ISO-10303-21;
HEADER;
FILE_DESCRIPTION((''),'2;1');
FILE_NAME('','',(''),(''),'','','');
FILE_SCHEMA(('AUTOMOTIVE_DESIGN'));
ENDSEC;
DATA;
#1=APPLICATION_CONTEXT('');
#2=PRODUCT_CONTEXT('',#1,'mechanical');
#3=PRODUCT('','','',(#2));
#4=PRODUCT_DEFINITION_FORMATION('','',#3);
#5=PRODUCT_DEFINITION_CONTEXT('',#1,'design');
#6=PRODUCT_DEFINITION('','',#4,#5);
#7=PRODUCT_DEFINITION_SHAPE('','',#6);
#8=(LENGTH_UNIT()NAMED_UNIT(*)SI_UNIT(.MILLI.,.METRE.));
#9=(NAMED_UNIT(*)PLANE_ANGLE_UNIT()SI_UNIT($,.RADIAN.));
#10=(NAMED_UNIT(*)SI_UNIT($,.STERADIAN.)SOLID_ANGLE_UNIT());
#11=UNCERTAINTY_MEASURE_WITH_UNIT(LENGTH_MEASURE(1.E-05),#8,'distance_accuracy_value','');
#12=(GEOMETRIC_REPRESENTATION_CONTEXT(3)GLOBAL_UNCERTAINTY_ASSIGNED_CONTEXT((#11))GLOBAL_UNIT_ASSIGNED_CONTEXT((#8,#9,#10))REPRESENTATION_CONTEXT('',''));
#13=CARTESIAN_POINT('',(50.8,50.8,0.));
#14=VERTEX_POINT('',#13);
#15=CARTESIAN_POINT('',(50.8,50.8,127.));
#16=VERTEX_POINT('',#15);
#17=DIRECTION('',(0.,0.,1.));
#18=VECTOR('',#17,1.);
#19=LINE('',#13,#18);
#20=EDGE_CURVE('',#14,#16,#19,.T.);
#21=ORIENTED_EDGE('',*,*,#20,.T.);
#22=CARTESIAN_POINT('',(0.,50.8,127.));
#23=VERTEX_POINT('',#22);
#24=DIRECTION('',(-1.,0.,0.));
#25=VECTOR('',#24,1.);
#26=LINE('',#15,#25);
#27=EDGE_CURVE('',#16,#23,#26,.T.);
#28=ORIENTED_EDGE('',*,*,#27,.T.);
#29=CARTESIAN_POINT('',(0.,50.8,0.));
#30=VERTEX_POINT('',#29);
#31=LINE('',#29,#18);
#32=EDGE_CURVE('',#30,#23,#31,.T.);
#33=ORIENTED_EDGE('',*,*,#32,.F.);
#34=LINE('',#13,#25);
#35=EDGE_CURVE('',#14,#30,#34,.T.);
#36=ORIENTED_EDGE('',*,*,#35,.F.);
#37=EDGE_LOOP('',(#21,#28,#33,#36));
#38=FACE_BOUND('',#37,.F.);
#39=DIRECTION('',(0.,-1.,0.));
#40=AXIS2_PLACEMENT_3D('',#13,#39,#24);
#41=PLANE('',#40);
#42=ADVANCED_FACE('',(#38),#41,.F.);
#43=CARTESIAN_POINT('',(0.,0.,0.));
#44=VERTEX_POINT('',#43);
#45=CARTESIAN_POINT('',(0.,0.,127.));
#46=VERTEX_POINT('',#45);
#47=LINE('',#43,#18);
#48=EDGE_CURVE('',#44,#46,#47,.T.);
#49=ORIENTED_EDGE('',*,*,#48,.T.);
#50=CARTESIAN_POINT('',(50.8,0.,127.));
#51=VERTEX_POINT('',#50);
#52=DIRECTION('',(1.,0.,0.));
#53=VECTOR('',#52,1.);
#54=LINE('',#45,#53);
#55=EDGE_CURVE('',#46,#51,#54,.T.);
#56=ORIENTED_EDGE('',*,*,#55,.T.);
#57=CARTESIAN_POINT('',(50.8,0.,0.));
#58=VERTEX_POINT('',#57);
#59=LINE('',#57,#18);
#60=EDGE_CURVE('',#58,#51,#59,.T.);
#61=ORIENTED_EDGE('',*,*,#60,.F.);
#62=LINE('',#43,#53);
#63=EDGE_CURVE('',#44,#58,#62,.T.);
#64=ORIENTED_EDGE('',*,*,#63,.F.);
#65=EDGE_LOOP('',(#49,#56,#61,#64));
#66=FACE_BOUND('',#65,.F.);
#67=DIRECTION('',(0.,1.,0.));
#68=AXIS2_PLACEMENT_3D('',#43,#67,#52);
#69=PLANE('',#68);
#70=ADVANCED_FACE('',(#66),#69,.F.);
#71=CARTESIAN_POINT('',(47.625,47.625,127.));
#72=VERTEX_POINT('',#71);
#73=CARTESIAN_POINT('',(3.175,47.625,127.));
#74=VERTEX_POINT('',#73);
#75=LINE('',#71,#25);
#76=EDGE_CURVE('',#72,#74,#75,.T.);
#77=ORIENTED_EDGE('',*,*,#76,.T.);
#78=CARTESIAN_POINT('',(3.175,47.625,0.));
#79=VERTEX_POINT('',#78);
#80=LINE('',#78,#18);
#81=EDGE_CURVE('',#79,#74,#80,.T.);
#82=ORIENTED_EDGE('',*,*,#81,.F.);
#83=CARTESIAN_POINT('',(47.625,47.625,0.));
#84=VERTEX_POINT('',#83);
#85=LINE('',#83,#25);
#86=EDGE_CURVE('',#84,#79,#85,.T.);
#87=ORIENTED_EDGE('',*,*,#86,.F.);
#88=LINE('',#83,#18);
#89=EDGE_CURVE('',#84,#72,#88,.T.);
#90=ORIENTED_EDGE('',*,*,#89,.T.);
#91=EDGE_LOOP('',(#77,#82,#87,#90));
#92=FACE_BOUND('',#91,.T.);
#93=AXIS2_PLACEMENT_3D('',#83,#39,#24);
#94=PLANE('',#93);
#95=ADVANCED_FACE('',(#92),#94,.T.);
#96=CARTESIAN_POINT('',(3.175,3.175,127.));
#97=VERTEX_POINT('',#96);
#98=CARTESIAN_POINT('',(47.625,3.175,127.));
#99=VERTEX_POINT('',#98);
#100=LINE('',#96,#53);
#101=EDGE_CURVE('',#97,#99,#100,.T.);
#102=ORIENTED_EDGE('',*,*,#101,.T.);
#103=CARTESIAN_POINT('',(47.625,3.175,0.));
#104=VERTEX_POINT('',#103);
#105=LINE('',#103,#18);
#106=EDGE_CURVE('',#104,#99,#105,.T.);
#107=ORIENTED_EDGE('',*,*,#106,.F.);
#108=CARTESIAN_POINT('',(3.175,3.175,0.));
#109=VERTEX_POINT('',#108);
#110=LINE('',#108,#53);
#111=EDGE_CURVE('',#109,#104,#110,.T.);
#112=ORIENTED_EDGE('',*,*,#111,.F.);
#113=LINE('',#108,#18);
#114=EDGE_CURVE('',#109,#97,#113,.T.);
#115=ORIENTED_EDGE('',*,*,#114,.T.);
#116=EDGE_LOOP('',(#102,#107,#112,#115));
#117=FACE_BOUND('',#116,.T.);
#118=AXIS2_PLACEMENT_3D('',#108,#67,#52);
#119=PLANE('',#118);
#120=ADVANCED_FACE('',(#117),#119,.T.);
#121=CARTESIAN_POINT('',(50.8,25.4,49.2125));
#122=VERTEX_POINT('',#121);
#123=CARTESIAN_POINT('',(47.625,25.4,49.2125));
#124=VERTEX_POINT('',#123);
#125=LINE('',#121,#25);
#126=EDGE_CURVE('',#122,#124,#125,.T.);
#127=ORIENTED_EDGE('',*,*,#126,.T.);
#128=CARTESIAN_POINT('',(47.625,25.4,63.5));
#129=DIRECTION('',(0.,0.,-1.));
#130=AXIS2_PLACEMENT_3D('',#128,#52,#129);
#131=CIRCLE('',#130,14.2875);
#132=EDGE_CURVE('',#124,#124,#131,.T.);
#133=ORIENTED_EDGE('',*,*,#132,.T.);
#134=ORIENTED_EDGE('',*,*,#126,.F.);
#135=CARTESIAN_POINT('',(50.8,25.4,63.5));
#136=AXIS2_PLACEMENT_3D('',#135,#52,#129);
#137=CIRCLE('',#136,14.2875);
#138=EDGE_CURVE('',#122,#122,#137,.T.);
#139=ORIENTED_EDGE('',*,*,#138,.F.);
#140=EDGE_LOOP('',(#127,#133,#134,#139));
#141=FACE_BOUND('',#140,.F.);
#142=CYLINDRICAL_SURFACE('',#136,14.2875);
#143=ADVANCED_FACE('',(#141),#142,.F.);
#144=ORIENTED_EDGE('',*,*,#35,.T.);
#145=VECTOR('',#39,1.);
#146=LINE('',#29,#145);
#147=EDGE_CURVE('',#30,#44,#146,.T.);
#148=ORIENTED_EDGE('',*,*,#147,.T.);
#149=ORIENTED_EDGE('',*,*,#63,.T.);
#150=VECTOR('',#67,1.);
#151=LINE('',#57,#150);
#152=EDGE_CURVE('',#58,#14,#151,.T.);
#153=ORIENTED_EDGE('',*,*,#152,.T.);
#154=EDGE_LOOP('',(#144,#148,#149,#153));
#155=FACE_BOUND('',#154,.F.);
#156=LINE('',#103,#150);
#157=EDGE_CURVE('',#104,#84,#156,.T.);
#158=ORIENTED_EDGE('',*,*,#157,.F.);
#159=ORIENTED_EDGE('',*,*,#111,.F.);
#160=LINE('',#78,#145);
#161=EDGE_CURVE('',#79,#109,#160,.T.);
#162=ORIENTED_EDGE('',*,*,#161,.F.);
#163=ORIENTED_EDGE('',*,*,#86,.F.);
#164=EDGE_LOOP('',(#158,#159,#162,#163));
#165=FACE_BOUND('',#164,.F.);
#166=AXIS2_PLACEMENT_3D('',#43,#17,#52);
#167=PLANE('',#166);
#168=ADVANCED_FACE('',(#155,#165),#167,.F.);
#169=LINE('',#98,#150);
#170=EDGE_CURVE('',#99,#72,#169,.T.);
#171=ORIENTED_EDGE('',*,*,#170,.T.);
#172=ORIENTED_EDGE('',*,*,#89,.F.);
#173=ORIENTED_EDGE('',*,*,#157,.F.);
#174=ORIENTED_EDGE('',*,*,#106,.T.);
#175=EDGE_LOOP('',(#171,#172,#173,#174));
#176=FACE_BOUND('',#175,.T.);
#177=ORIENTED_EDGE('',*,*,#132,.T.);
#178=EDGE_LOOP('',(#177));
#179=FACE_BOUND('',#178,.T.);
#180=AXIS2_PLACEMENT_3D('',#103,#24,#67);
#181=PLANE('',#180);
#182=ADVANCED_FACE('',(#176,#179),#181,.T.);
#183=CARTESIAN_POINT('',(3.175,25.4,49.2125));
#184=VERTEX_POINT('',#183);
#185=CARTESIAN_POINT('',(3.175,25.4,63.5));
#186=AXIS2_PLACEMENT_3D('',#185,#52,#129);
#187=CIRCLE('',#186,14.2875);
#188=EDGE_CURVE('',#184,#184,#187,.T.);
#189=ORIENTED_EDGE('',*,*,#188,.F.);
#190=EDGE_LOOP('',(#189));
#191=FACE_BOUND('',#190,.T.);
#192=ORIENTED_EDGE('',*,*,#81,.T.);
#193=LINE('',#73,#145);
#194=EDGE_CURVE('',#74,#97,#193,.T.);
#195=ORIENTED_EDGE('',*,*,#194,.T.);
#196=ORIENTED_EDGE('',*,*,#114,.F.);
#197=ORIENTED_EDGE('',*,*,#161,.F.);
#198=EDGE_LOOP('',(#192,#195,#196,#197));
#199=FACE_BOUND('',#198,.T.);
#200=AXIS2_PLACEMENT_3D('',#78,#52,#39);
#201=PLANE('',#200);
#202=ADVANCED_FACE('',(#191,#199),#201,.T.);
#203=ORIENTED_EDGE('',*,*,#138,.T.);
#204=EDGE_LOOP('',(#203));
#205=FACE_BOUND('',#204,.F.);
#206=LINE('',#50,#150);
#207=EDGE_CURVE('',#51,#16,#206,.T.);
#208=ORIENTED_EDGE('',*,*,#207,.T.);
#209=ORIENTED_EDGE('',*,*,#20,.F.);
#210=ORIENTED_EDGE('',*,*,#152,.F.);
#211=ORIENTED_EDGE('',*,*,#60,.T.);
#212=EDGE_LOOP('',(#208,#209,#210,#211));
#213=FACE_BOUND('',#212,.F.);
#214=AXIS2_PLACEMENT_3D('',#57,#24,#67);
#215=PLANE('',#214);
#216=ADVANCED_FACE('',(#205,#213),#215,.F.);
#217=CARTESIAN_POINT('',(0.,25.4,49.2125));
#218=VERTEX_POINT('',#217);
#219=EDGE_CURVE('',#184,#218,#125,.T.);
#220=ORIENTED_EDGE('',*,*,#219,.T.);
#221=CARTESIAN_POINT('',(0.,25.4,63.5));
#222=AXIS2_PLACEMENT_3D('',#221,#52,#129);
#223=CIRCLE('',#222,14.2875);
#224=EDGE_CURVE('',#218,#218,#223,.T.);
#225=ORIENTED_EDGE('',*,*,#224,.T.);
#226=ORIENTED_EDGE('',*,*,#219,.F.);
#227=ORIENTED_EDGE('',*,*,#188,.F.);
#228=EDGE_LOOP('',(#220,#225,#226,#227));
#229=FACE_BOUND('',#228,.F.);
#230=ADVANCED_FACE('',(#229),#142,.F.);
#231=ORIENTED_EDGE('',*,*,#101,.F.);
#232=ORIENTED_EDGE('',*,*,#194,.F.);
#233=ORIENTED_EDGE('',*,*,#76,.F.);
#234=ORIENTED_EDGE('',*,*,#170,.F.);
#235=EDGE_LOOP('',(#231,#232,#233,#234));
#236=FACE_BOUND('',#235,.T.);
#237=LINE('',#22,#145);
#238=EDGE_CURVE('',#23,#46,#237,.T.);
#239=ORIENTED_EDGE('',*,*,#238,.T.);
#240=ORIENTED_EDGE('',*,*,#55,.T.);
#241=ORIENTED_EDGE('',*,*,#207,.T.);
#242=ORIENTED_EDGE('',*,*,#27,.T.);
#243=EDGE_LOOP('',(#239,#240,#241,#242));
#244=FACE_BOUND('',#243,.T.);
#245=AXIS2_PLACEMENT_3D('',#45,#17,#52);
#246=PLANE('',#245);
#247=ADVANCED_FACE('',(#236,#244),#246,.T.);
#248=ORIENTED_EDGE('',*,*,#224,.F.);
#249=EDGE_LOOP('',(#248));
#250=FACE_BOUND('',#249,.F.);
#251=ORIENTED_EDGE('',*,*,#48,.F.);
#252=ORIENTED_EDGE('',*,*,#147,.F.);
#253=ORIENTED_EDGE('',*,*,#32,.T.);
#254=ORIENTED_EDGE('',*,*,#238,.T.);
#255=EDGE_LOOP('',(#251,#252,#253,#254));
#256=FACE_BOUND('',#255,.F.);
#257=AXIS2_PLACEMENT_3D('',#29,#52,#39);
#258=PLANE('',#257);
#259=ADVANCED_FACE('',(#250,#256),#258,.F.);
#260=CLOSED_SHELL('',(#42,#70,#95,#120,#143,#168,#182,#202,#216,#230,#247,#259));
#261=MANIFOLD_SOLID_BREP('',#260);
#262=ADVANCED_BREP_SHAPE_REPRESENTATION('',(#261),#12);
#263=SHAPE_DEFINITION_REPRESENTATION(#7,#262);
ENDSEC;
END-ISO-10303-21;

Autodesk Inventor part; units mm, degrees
ref_plane "YZ Plane" through (0, 0, 0) normal (1, 0, 0) x (0, 1, 0)
ref_plane "XZ Plane" through (0, 0, 0) normal (0, 1, 0) x (-1, 0, 0)
ref_plane "XY Plane" through (0, 0, 0) normal (0, 0, 1) x (1, 0, 0)
sketch "Sketch1" plane through (0, 0, 0) normal (0, 0, 1) x (1, 0, 0)
  line L0 (0, 0) -> (50.8, 0)
  line L1 (50.8, 0) -> (50.8, 50.8)
  line L2 (50.8, 50.8) -> (0, 50.8)
  line L3 (0, 50.8) -> (0, 0)
  line L4 (3.175, 3.175) -> (47.625, 3.175)
  line L5 (47.625, 3.175) -> (47.625, 47.625)
  line L6 (47.625, 47.625) -> (3.175, 47.625)
  line L7 (3.175, 47.625) -> (3.175, 3.175)
  dimension "d0" = 50.8
  dimension "d1" = 50.8
  dimension "d2" = 3.175
  dimension "d3" = 3.175
  dimension "d4" = 3.175
  dimension "d5" = 3.175
extrude "2x2x.125 Box Beam" add sketch "Sketch1" along normal blind 127
sketch "Sketch2" plane through (50.8, 0, 0) normal (1, 0, 0) x (0, 0, -1)
  line L0 (0, 0) -> (0, 50.8) projected
  line L1 (0, 0) -> (-127, 0) projected
  circle A0 centre (-63.5, 25.4) radius 14.2875
  dimension "d8" = 28.575
  dimension "d9" = 63.5
  dimension "d10" = 25.4
extrude "FR8 Bearing Hole" cut sketch "Sketch2" against normal through all
equation "\"d3\" = d2"
equation "\"d4\" = d3"
equation "\"d5\" = d4"
properties part number "Box Beam"
